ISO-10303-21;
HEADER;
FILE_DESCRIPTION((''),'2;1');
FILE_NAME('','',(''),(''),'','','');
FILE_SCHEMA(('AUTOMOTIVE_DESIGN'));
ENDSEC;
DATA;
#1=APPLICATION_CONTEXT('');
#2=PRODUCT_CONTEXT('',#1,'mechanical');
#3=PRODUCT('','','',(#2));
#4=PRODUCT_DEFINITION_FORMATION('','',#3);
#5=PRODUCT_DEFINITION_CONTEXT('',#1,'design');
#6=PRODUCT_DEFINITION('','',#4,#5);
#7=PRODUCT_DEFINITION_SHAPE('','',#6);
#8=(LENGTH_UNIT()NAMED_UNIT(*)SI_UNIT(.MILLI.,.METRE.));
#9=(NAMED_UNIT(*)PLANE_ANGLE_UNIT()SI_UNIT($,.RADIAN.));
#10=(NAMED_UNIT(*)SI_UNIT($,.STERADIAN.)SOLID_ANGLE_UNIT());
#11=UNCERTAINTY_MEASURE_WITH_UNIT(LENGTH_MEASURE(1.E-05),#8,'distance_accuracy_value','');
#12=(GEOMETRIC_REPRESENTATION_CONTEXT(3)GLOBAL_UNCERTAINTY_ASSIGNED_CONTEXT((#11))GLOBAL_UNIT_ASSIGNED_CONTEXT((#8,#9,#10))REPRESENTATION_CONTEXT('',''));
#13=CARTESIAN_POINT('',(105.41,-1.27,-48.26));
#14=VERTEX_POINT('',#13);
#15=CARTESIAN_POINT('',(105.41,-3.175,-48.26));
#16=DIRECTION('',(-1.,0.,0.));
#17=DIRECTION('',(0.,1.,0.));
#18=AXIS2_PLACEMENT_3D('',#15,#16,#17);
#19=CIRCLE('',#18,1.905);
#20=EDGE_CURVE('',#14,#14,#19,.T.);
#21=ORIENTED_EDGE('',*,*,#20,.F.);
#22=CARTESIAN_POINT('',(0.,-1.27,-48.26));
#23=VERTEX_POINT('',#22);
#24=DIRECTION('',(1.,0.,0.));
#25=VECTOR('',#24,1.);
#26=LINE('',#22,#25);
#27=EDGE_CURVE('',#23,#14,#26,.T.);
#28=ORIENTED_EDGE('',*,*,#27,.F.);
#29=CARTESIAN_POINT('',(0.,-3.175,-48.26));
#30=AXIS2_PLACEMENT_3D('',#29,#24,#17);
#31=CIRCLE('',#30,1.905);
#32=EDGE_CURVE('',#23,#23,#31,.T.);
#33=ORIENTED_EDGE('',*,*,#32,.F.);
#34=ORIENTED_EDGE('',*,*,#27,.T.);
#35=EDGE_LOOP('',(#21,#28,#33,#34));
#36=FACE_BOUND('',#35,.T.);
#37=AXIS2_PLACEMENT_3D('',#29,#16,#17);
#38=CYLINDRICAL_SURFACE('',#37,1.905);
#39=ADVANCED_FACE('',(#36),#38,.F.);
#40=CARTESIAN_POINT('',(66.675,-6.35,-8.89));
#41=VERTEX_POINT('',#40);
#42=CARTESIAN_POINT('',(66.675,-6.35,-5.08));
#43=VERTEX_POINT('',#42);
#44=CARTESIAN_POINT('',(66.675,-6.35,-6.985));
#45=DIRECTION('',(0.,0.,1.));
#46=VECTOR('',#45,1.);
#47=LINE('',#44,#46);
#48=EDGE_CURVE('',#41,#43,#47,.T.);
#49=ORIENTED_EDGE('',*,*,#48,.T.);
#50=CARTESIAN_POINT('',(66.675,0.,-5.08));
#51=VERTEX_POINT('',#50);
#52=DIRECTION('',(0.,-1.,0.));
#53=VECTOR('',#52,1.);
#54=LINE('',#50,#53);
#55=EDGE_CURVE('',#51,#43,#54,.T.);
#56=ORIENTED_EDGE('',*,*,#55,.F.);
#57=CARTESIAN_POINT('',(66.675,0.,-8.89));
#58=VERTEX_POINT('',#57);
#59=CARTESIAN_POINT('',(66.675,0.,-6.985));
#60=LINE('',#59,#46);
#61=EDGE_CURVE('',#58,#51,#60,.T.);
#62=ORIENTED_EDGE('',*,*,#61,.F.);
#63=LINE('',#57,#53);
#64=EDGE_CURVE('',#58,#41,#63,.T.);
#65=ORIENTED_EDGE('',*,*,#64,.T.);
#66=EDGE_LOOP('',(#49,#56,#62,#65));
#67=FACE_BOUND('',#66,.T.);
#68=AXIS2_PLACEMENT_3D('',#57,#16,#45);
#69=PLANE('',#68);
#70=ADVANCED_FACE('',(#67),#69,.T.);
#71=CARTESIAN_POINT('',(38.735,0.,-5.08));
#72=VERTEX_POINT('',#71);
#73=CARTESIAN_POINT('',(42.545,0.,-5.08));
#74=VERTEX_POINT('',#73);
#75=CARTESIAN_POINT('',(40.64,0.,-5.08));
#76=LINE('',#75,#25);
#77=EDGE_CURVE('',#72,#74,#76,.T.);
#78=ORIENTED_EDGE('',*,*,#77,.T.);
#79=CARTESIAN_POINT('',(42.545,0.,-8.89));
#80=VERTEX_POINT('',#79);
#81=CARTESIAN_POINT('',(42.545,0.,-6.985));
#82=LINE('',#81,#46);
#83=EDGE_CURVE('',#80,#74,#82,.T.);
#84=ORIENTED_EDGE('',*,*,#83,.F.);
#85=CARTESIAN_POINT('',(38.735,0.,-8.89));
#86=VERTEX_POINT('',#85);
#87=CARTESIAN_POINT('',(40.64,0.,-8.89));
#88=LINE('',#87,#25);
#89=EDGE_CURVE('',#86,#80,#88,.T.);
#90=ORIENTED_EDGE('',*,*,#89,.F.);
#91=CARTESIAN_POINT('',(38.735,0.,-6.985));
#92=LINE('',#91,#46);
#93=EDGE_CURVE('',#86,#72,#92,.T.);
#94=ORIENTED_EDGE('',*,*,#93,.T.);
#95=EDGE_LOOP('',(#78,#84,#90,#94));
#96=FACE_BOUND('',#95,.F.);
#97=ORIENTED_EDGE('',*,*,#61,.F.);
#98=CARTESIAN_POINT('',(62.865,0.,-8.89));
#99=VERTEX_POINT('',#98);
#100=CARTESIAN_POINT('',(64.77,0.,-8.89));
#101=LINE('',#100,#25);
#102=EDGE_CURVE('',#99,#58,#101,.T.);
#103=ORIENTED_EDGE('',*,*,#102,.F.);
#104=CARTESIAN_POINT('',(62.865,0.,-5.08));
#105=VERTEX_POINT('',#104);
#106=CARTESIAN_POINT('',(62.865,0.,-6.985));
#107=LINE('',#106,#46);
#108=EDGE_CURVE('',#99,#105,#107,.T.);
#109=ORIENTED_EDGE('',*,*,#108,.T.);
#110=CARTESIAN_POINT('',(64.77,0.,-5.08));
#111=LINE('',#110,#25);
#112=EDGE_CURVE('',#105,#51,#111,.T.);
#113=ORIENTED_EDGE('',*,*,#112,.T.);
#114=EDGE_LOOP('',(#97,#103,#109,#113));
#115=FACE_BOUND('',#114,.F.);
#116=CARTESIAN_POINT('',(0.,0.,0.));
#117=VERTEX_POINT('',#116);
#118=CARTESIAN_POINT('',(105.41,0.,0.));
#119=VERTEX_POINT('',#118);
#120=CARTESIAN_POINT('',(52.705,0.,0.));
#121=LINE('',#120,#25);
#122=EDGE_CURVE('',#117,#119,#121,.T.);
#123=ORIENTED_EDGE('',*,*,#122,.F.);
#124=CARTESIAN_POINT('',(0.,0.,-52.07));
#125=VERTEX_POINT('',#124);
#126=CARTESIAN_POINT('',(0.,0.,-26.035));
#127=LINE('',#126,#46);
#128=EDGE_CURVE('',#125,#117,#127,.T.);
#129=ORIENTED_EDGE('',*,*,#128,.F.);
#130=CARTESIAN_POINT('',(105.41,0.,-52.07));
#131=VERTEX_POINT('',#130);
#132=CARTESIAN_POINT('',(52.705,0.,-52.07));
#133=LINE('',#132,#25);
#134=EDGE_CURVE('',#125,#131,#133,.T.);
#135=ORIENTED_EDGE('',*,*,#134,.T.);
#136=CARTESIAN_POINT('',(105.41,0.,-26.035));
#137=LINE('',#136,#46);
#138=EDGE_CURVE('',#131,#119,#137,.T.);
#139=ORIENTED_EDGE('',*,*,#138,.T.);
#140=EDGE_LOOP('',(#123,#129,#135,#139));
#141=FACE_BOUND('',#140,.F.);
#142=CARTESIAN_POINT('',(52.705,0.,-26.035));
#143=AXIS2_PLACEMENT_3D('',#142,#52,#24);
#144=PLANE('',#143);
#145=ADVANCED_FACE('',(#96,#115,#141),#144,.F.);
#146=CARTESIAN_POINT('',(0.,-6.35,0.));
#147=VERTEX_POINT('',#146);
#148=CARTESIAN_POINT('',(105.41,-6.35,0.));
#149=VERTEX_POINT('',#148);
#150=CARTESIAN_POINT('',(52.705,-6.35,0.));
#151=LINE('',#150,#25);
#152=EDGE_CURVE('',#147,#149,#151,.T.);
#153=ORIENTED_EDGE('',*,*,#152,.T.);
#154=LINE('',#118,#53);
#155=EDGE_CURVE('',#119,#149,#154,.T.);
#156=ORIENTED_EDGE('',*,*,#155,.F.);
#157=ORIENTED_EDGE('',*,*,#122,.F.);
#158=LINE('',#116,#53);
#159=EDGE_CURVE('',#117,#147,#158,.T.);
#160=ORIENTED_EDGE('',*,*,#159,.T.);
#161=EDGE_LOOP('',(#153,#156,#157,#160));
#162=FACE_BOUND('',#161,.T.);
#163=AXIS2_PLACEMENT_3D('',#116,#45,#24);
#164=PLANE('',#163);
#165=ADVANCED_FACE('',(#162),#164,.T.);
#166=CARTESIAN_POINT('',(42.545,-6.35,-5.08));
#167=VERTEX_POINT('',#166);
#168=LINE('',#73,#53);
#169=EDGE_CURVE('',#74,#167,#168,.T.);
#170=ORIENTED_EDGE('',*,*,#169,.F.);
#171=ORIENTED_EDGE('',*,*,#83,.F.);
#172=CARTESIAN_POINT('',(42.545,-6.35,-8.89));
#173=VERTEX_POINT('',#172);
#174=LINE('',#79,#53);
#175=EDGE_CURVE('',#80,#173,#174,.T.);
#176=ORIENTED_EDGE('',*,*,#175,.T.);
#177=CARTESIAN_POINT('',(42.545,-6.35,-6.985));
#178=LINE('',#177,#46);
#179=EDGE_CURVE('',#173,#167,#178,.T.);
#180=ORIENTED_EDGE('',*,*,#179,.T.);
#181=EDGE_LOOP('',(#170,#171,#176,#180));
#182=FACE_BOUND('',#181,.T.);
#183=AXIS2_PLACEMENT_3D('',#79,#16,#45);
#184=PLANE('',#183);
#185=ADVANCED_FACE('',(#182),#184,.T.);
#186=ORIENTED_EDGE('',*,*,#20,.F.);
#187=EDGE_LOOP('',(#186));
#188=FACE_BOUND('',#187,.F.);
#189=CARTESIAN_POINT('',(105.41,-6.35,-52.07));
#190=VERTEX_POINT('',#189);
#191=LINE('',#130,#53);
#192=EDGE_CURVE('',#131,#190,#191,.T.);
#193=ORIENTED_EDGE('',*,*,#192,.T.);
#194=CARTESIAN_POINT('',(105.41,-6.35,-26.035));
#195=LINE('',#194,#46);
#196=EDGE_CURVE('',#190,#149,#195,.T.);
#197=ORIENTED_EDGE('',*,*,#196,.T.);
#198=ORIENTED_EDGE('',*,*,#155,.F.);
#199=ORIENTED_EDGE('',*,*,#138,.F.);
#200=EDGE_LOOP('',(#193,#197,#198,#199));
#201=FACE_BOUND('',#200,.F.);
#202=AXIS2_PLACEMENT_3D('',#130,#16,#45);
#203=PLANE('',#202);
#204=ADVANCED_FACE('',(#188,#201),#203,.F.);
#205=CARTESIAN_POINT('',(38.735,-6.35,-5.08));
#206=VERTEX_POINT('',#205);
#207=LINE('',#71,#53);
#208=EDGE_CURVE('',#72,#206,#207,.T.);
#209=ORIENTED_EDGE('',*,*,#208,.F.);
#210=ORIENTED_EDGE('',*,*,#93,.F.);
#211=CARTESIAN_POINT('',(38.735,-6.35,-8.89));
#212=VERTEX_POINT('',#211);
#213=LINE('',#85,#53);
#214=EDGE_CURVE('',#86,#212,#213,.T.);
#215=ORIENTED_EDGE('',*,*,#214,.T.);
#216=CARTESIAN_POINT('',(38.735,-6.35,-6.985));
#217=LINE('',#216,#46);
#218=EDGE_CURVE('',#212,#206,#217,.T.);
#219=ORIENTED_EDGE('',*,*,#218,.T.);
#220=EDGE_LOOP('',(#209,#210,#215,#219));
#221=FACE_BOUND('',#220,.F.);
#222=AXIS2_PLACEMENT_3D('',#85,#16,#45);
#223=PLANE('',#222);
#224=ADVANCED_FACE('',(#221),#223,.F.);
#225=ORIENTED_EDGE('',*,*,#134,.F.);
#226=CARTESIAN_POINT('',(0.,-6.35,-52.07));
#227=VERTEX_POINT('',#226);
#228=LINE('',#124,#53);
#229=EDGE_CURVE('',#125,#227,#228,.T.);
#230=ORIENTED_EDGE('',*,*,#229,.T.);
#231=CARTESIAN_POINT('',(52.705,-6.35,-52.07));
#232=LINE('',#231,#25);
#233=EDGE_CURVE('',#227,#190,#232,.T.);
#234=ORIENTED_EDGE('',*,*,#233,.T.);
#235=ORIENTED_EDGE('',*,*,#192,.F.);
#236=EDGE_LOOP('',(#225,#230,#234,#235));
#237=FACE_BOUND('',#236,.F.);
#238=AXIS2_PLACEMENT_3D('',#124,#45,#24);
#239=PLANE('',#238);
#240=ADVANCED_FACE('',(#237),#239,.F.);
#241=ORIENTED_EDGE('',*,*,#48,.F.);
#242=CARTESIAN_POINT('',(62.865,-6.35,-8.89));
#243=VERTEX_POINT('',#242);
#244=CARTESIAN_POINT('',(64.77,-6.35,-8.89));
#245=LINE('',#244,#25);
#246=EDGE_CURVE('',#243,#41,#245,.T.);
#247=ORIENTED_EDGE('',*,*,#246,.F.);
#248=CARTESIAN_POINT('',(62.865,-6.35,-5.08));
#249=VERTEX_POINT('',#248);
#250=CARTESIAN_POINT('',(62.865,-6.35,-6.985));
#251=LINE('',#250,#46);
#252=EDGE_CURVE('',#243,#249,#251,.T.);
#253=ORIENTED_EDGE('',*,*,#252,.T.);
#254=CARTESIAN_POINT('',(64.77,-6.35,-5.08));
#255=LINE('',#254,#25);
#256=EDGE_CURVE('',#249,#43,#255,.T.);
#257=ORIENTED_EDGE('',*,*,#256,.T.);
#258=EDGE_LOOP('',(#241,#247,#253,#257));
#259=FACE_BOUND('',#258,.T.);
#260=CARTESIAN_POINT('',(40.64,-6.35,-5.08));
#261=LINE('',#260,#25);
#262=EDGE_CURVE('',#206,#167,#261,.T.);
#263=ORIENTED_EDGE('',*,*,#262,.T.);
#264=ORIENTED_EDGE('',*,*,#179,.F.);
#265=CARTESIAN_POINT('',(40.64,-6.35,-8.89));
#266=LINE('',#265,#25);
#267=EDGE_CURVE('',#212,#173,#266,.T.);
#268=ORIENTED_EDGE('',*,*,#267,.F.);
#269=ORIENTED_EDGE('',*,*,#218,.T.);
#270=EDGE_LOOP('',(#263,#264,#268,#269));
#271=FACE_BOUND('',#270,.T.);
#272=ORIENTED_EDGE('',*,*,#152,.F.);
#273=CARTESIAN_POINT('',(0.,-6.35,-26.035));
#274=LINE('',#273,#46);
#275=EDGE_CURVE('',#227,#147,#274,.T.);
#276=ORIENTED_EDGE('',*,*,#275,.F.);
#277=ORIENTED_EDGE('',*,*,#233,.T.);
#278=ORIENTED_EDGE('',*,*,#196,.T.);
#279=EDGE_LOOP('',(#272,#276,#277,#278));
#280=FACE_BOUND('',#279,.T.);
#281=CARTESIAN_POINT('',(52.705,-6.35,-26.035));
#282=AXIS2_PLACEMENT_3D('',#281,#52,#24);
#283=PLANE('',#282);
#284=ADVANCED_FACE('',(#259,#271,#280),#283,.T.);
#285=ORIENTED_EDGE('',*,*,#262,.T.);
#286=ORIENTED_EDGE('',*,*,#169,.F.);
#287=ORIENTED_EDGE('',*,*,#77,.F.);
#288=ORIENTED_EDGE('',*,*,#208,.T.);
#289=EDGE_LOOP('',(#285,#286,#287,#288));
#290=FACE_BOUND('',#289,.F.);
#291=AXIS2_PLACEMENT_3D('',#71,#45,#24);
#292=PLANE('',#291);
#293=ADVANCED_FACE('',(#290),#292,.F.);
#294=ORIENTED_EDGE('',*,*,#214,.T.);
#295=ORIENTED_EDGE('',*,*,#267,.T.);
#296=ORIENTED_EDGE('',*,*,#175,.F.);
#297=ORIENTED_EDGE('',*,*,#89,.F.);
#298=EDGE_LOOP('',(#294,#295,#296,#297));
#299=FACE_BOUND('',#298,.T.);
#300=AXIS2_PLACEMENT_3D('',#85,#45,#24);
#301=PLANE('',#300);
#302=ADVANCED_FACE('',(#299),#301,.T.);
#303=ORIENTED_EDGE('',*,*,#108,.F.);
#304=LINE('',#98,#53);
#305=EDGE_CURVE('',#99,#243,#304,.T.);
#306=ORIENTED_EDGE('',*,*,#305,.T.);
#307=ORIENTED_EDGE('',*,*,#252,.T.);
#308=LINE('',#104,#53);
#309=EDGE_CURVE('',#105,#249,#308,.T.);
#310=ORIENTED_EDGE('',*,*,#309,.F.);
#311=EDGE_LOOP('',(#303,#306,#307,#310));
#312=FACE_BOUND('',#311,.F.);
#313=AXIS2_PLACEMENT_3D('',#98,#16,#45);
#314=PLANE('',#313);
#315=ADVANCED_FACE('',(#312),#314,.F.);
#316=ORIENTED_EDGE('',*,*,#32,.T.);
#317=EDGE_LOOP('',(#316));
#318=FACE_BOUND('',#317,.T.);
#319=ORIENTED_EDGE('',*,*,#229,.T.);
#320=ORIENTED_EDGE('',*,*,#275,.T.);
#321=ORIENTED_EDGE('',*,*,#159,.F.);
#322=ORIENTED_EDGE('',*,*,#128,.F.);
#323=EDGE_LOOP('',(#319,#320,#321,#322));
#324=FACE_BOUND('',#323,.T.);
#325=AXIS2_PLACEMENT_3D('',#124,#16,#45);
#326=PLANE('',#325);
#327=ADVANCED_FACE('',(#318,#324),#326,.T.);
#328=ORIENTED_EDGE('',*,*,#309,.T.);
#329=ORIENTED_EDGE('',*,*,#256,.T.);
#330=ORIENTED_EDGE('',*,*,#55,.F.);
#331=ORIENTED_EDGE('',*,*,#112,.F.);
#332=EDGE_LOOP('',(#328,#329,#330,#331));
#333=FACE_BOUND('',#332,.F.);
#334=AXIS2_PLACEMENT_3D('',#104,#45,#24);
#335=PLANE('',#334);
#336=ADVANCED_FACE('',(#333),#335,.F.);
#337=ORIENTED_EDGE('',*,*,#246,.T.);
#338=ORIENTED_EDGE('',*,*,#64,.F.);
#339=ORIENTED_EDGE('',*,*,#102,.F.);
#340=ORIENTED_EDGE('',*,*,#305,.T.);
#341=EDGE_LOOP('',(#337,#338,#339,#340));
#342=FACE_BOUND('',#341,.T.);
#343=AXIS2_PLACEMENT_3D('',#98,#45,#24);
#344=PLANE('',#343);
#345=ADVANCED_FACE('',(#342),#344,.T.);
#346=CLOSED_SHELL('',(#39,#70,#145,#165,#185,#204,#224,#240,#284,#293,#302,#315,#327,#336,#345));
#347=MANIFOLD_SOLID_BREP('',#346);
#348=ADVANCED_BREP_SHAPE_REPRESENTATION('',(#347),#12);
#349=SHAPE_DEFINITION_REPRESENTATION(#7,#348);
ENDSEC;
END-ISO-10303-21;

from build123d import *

# Parameters (mm, degrees)
F0_W     = 105.41
F0_H     = 52.07
F0_W_2   = 3.81
F0_H_2   = 3.81
F1_DEPTH = 6.35
F2_R     = 1.905
F3_DEPTH = 105.411


with BuildPart() as f1:
    # F0 (on Front) → F1 (new body)
    with BuildSketch(Plane.XZ):
        with Locations((52.705, -26.035)):
            Rectangle(F0_W, F0_H)
        with Locations((40.64, -6.985)):
            Rectangle(F0_W_2, F0_H_2, mode=Mode.SUBTRACT)
        with Locations((64.77, -6.985)):
            Rectangle(F0_W_2, F0_H_2, mode=Mode.SUBTRACT)
    extrude(amount=F1_DEPTH)

    # F2 (on Right) → F3 (cut, through all)
    with BuildSketch(Plane.YZ):
        with Locations((-3.175, -48.26)):
            Circle(F2_R)
    extrude(amount=F3_DEPTH, mode=Mode.SUBTRACT)


solid = f1.part
